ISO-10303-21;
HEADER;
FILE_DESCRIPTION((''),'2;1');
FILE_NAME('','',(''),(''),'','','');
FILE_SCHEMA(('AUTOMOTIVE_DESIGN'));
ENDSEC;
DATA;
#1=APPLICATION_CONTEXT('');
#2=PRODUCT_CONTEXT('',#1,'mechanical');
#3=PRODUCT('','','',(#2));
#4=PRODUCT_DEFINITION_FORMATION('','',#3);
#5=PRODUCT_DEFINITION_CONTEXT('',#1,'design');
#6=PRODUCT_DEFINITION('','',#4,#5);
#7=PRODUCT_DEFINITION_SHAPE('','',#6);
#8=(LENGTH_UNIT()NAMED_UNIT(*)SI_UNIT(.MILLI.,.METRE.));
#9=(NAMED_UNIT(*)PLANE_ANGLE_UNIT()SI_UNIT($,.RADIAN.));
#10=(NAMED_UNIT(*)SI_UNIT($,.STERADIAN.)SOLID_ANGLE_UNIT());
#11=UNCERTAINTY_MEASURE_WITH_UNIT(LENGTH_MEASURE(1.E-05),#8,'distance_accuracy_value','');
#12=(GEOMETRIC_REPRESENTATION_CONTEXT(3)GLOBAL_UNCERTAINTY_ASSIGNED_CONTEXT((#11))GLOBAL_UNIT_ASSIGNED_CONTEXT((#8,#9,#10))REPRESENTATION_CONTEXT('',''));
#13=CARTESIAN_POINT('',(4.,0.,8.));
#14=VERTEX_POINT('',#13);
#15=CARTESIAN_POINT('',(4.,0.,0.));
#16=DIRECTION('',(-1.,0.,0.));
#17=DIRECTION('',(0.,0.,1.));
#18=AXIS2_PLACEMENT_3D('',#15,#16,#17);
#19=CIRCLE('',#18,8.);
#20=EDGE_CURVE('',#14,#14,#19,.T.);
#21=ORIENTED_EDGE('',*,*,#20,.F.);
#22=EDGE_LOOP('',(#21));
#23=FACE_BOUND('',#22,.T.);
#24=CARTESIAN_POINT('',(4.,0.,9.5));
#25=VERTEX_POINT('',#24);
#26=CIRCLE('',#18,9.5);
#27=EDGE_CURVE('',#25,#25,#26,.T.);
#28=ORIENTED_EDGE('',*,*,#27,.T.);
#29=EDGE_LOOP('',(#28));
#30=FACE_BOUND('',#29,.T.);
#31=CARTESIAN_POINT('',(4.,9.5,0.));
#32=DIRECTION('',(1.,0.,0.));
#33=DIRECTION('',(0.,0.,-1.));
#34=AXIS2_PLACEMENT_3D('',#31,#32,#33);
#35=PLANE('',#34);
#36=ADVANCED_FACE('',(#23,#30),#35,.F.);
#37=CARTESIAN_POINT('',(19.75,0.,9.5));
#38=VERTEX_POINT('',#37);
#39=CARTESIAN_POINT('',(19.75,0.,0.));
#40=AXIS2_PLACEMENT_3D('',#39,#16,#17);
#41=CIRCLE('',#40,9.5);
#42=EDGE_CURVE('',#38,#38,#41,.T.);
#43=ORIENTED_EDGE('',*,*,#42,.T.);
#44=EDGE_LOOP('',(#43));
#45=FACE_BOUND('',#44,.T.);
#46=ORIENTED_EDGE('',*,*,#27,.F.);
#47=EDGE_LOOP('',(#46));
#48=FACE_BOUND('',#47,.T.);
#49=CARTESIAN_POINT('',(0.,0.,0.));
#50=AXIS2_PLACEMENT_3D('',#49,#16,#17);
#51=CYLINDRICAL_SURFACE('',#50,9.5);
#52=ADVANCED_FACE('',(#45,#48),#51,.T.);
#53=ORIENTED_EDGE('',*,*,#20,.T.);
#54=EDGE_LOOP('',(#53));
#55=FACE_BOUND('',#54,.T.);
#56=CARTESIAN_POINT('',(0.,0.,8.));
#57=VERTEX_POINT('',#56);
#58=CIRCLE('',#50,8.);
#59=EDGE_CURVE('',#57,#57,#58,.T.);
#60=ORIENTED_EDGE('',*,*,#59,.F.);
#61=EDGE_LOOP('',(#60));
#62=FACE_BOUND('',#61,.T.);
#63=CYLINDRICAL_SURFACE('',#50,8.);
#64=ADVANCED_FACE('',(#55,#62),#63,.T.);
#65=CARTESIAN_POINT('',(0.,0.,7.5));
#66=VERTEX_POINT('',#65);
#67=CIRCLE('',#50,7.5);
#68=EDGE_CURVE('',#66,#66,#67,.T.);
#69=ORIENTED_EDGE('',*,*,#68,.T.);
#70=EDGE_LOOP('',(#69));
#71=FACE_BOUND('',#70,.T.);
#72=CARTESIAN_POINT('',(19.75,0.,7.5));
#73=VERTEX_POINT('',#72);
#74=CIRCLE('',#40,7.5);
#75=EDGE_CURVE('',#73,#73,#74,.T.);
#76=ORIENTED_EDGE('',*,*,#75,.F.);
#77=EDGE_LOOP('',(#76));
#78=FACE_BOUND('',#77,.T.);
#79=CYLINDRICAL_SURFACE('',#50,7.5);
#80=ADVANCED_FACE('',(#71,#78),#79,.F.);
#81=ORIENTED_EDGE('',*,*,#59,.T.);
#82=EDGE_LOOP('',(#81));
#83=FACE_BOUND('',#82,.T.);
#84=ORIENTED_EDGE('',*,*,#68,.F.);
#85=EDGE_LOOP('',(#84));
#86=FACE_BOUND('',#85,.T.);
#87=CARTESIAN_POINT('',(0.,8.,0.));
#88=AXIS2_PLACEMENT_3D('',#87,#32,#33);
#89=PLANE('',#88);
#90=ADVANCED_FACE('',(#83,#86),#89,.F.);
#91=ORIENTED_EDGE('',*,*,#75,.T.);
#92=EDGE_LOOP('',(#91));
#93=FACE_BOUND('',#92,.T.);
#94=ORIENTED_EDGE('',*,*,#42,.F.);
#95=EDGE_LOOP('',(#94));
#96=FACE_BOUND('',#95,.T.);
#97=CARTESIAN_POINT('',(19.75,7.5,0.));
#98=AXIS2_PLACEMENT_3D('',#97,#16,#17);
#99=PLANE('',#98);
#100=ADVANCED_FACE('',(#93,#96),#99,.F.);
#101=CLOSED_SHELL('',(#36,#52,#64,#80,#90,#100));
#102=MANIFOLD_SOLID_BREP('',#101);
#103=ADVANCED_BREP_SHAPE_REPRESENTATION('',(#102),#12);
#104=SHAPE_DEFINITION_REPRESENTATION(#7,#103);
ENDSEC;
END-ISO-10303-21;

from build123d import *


with BuildPart() as part:
    # Esquisse1 → Révolution1 (revolve)
    with BuildSketch(Plane.XY, mode=Mode.PRIVATE) as r_volution1_sk:
        Polygon((0, 8), (0, 7.5), (19.75, 7.5), (19.75, 9.5), (4, 9.5), (4, 8), align=None)
    revolve(r_volution1_sk.sketch.rotate(Axis((0, 0, 0), (1, 0, 0)), 90), axis=Axis((0, 0, 0), (1, 0, 0)))  # turned: the seam where the file's is


solid = part.part
